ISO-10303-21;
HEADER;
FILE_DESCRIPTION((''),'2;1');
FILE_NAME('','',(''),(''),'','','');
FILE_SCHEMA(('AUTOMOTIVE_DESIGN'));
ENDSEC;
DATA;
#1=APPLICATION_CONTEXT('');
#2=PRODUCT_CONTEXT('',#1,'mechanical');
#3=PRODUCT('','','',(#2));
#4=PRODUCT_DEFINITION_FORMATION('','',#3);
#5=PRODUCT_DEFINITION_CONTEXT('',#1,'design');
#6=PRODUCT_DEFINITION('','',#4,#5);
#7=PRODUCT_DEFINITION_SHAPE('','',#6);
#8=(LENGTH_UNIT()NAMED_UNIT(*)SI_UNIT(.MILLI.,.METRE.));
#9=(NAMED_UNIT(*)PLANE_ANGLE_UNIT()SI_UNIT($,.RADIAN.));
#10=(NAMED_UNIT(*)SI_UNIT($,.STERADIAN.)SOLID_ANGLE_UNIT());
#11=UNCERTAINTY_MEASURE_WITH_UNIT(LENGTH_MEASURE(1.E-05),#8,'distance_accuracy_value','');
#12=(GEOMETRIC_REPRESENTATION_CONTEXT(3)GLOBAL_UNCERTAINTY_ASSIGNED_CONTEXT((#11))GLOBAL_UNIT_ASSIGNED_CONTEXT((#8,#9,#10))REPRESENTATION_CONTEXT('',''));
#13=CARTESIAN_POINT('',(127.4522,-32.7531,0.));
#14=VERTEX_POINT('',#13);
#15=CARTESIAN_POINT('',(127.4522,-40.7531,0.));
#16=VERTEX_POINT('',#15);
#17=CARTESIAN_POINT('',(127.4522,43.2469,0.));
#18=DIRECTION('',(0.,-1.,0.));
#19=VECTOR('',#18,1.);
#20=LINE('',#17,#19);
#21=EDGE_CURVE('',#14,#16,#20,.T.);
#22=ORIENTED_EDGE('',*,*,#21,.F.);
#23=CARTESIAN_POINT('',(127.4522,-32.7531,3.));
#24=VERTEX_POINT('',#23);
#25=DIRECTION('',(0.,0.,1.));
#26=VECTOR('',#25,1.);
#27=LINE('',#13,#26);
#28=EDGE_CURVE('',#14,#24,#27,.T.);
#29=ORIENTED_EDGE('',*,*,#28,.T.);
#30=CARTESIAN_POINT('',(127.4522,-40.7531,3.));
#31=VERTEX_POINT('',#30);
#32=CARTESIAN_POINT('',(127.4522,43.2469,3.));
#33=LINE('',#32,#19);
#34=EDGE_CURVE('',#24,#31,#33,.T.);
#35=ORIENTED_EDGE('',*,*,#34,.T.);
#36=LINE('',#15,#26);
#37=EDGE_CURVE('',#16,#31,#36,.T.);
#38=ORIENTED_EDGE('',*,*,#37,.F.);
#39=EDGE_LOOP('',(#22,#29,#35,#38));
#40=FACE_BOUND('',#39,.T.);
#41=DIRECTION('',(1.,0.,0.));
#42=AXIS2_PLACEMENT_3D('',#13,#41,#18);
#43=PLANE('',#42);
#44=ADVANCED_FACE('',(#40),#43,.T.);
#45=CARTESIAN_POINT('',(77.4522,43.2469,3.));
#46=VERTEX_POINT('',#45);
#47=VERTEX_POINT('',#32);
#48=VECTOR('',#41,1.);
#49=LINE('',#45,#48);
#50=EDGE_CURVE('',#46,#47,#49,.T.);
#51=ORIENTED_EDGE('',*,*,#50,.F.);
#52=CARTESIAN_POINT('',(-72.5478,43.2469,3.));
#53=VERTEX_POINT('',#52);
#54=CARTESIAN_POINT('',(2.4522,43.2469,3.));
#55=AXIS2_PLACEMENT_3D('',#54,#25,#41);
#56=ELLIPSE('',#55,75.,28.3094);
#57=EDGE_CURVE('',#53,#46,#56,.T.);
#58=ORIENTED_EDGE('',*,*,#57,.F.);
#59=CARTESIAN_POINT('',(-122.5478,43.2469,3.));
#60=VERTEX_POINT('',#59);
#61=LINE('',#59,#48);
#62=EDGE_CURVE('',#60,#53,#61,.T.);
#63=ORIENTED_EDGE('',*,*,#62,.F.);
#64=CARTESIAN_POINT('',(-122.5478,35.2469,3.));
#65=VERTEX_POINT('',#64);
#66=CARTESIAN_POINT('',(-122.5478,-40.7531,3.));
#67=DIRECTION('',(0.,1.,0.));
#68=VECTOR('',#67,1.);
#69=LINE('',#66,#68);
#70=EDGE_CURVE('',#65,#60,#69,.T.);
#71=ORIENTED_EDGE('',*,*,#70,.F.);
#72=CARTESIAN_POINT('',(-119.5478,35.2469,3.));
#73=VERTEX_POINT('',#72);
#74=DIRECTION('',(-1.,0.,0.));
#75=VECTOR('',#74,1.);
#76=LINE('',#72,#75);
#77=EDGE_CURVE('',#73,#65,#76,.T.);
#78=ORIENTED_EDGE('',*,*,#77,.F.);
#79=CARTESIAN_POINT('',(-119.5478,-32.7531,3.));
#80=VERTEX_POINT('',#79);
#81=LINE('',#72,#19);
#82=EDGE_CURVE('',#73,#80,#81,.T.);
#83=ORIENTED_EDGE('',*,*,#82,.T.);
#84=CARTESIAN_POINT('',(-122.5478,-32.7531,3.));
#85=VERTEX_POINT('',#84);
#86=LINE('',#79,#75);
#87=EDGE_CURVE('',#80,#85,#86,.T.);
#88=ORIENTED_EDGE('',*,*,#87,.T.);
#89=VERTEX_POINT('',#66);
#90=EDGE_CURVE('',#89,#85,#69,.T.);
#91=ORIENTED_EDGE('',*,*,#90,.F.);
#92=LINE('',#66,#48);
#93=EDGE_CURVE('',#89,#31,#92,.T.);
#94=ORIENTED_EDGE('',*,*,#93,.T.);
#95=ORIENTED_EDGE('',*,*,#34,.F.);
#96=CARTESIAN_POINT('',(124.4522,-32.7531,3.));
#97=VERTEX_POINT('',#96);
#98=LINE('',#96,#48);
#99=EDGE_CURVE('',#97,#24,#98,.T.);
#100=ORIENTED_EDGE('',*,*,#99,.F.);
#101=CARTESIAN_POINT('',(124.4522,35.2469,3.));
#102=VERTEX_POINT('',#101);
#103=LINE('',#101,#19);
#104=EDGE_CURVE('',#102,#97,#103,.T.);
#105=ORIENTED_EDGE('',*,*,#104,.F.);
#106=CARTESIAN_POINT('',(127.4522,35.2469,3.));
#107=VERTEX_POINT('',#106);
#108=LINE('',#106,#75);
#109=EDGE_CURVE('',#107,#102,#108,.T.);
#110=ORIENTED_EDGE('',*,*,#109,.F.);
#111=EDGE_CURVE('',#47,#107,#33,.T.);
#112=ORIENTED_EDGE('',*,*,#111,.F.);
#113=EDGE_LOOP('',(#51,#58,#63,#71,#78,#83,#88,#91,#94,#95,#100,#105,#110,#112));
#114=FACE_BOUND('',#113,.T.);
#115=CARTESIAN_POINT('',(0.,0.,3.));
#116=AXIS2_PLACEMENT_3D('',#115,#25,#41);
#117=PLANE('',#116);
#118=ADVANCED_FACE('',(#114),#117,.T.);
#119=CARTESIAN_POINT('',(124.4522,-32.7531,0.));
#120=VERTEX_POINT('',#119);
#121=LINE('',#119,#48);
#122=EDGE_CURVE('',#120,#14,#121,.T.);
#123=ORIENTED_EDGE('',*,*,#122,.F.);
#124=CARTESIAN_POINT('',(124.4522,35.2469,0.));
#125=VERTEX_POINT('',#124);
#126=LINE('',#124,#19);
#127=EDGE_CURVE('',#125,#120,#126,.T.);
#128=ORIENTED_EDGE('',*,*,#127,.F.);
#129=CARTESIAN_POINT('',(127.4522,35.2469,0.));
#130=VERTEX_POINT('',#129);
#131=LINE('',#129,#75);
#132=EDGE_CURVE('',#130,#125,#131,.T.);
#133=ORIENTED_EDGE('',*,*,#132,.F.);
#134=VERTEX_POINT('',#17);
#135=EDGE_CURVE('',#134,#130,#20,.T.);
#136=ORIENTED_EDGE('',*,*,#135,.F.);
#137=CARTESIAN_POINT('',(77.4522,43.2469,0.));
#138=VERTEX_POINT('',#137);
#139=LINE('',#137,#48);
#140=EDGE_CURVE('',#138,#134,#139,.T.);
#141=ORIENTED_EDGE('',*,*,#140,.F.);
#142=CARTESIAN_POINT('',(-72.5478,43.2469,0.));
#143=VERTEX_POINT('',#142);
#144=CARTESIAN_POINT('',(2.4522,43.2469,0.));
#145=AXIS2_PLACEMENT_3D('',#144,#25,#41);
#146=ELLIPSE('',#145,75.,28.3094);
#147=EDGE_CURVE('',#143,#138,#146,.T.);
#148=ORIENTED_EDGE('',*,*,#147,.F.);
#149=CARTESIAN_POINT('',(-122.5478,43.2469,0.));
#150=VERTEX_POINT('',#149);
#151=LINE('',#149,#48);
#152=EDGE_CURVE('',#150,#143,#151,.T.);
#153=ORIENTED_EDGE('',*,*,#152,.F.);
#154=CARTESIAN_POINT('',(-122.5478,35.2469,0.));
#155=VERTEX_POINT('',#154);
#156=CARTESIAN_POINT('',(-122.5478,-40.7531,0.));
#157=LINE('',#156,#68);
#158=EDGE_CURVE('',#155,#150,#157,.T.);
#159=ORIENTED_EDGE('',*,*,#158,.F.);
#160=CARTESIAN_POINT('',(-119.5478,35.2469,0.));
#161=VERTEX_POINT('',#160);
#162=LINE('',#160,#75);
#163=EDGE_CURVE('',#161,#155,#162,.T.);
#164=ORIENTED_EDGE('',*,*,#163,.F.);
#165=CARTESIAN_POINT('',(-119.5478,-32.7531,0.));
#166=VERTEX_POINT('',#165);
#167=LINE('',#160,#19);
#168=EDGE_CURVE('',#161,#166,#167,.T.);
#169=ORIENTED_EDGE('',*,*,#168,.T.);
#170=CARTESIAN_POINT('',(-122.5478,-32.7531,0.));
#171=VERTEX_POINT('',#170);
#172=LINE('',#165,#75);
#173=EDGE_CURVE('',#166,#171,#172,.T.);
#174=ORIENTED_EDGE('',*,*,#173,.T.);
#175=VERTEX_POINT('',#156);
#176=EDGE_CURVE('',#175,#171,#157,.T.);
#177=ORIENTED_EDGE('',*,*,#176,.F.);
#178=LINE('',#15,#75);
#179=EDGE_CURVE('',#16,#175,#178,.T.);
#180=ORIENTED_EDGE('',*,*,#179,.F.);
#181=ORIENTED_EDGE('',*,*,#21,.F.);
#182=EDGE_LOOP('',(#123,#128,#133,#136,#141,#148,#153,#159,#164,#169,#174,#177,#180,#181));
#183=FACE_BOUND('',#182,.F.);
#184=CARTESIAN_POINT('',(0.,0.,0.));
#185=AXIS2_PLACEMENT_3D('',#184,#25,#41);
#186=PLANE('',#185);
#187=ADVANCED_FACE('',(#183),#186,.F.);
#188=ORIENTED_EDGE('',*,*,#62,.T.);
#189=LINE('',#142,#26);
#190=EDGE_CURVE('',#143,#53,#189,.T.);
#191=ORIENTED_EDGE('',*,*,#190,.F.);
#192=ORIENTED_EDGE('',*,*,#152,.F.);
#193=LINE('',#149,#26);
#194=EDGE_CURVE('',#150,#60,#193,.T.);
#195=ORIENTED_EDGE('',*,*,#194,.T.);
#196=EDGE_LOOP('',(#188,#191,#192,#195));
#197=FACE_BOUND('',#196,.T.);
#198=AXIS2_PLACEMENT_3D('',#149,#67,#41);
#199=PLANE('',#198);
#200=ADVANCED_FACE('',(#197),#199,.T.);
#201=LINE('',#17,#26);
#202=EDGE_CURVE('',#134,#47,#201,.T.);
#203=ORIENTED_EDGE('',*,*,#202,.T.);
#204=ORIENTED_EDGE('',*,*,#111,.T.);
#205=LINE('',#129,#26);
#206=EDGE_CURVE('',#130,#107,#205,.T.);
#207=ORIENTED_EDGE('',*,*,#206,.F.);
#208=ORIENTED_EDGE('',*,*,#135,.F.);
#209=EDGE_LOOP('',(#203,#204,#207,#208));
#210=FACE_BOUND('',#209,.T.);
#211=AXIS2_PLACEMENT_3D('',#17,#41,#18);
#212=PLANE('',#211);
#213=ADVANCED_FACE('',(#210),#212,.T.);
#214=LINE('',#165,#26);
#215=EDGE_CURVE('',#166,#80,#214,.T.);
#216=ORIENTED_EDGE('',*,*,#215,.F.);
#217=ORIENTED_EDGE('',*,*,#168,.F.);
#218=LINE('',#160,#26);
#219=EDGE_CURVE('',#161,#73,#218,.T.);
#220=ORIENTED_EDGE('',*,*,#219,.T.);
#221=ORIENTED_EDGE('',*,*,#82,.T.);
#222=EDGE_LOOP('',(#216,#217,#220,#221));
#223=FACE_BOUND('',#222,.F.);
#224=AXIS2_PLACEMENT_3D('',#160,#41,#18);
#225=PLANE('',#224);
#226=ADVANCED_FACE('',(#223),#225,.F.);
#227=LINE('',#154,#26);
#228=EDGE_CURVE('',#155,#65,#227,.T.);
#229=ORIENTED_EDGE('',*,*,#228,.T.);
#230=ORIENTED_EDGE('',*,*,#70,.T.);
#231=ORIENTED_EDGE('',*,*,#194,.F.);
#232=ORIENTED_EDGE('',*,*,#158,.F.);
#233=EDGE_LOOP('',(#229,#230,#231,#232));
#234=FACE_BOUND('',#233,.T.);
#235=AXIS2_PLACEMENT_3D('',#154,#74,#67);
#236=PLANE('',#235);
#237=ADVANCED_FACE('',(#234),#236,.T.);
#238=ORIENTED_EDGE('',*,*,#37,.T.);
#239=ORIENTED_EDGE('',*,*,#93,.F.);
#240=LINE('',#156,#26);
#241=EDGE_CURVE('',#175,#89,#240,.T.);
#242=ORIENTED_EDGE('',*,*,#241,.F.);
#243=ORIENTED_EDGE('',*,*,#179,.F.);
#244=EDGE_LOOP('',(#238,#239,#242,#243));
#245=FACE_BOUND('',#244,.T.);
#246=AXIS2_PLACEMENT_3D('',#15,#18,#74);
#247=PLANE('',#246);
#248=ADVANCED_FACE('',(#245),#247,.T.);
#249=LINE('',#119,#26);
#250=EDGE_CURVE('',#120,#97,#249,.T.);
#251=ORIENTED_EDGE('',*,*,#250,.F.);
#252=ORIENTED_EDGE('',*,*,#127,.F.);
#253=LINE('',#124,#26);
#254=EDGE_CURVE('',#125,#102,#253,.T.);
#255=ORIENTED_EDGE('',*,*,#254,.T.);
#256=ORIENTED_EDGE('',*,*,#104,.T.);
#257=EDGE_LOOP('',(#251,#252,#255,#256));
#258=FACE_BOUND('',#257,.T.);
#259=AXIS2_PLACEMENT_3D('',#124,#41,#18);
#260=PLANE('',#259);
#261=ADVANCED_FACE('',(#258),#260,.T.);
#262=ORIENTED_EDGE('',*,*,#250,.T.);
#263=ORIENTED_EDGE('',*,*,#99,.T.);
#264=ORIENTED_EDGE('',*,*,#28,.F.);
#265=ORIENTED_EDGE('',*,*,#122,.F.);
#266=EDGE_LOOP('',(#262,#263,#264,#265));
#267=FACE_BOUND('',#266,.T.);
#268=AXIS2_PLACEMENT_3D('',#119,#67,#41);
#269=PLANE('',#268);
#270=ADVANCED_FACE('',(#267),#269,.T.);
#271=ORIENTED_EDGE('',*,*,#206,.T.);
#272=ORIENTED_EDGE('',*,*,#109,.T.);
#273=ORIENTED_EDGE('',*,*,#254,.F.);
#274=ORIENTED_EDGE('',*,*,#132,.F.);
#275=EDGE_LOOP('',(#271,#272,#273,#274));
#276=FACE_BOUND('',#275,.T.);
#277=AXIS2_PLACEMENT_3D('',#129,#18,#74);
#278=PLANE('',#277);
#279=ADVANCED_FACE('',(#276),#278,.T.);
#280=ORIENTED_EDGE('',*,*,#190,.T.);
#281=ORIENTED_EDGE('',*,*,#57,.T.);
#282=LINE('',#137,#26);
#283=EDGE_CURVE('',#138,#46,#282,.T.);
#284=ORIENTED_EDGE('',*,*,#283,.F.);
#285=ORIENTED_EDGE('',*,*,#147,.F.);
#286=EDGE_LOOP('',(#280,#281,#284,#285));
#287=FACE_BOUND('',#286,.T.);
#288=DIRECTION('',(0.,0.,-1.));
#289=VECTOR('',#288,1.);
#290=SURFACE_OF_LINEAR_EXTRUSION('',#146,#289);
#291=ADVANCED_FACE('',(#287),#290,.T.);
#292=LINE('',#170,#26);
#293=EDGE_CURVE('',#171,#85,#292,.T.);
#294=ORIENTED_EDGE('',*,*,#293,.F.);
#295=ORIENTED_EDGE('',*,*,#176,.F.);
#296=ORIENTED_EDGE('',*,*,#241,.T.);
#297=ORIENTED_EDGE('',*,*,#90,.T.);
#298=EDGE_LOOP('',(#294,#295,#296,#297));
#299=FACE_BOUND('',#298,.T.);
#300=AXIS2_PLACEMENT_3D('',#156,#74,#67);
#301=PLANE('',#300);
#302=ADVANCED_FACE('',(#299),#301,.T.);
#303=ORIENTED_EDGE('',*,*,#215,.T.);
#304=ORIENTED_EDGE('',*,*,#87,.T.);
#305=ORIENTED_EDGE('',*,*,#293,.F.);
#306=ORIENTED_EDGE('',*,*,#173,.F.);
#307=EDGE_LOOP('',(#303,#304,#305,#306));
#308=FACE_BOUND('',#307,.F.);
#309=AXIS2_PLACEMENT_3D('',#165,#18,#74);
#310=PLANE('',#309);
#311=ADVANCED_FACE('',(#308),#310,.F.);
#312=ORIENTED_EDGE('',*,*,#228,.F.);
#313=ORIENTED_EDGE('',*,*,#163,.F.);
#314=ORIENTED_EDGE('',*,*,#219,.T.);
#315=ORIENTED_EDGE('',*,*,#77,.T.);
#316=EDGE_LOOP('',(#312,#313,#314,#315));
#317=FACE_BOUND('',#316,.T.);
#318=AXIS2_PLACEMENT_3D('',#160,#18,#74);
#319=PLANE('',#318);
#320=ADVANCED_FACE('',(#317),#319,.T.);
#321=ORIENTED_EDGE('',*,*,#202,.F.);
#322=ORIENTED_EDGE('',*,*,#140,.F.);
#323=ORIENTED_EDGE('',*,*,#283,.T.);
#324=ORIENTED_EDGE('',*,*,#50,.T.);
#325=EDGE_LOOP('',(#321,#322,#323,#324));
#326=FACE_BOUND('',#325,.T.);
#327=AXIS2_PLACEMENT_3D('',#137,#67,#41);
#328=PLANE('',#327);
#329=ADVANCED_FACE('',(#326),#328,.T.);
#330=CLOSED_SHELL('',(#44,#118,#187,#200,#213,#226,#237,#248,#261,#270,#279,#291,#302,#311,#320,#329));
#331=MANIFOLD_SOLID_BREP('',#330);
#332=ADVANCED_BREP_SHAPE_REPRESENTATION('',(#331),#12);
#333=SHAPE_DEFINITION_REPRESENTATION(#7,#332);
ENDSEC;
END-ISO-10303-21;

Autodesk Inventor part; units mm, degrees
ref_plane "YZ Plane" through (0, 0, 0) normal (1, 0, 0) x (0, 1, 0)
ref_plane "XZ Plane" through (0, 0, 0) normal (0, 1, 0) x (-1, 0, 0)
ref_plane "XY Plane" through (0, 0, 0) normal (0, 0, 1) x (1, 0, 0)
sketch "Эскиз1" plane through (0, 0, 0) normal (0, 0, 1) x (1, 0, 0)
  line L0 (127.4522, 43.2469) -> (127.4522, -40.7531)
  line L1 (127.4522, -40.7531) -> (-122.5478, -40.7531)
  line L2 (-122.5478, -40.7531) -> (-122.5478, 43.2469)
  line L3 (-119.5478, -40.7531) -> (-122.5478, -40.7531)
  line L4 (-119.5478, 35.2469) -> (-122.5478, 35.2469)
  line L5 (-119.5478, -40.7531) -> (-119.5478, -32.7531)
  line L6 (-122.5478, 35.2469) -> (-119.5478, 35.2469)
  line L7 (-119.5478, 35.2469) -> (-119.5478, -32.7531)
  line L8 (-119.5478, -32.7531) -> (-122.5478, -32.7531)
  line L9 (-122.5478, -32.7531) -> (-122.5478, 35.2469)
  ellipse E0 centre (2.4522, 43.2469) end of major axis (77.4522, 43.2469) minor radius 28.3094 (-72.5478, 43.2469) -> (77.4522, 43.2469) ccw
  line L10 (-122.5478, 43.2469) -> (-72.5478, 43.2469)
  line L11 (77.4522, 43.2469) -> (127.4522, 43.2469)
  line L12 (127.4522, 35.2469) -> (124.4522, 35.2469)
  line L13 (124.4522, 35.2469) -> (124.4522, -32.7531)
  line L14 (124.4522, -32.7531) -> (127.4522, -32.7531)
  line L15 (127.4522, -32.7531) -> (127.4522, 35.2469)
  point P0 (0, 0)
  point P1 (125.9522, -32.7531)
  dimension "d1" = 75
  dimension "d0" = 250
  dimension "d2" = 125
  dimension "d3" = 84
  dimension "d4" = 150
  dimension "d5" = 84
  dimension "d6" = 3
  dimension "d7" = 8
extrude "Выдавливание1" add sketch "Эскиз1" along normal blind 3 contours L0 L12 L13 L14 L1 L5 L7 L4 L2 L10 E0 L11 | L1 L2 L8 L5
properties part number "боковая стенка"
